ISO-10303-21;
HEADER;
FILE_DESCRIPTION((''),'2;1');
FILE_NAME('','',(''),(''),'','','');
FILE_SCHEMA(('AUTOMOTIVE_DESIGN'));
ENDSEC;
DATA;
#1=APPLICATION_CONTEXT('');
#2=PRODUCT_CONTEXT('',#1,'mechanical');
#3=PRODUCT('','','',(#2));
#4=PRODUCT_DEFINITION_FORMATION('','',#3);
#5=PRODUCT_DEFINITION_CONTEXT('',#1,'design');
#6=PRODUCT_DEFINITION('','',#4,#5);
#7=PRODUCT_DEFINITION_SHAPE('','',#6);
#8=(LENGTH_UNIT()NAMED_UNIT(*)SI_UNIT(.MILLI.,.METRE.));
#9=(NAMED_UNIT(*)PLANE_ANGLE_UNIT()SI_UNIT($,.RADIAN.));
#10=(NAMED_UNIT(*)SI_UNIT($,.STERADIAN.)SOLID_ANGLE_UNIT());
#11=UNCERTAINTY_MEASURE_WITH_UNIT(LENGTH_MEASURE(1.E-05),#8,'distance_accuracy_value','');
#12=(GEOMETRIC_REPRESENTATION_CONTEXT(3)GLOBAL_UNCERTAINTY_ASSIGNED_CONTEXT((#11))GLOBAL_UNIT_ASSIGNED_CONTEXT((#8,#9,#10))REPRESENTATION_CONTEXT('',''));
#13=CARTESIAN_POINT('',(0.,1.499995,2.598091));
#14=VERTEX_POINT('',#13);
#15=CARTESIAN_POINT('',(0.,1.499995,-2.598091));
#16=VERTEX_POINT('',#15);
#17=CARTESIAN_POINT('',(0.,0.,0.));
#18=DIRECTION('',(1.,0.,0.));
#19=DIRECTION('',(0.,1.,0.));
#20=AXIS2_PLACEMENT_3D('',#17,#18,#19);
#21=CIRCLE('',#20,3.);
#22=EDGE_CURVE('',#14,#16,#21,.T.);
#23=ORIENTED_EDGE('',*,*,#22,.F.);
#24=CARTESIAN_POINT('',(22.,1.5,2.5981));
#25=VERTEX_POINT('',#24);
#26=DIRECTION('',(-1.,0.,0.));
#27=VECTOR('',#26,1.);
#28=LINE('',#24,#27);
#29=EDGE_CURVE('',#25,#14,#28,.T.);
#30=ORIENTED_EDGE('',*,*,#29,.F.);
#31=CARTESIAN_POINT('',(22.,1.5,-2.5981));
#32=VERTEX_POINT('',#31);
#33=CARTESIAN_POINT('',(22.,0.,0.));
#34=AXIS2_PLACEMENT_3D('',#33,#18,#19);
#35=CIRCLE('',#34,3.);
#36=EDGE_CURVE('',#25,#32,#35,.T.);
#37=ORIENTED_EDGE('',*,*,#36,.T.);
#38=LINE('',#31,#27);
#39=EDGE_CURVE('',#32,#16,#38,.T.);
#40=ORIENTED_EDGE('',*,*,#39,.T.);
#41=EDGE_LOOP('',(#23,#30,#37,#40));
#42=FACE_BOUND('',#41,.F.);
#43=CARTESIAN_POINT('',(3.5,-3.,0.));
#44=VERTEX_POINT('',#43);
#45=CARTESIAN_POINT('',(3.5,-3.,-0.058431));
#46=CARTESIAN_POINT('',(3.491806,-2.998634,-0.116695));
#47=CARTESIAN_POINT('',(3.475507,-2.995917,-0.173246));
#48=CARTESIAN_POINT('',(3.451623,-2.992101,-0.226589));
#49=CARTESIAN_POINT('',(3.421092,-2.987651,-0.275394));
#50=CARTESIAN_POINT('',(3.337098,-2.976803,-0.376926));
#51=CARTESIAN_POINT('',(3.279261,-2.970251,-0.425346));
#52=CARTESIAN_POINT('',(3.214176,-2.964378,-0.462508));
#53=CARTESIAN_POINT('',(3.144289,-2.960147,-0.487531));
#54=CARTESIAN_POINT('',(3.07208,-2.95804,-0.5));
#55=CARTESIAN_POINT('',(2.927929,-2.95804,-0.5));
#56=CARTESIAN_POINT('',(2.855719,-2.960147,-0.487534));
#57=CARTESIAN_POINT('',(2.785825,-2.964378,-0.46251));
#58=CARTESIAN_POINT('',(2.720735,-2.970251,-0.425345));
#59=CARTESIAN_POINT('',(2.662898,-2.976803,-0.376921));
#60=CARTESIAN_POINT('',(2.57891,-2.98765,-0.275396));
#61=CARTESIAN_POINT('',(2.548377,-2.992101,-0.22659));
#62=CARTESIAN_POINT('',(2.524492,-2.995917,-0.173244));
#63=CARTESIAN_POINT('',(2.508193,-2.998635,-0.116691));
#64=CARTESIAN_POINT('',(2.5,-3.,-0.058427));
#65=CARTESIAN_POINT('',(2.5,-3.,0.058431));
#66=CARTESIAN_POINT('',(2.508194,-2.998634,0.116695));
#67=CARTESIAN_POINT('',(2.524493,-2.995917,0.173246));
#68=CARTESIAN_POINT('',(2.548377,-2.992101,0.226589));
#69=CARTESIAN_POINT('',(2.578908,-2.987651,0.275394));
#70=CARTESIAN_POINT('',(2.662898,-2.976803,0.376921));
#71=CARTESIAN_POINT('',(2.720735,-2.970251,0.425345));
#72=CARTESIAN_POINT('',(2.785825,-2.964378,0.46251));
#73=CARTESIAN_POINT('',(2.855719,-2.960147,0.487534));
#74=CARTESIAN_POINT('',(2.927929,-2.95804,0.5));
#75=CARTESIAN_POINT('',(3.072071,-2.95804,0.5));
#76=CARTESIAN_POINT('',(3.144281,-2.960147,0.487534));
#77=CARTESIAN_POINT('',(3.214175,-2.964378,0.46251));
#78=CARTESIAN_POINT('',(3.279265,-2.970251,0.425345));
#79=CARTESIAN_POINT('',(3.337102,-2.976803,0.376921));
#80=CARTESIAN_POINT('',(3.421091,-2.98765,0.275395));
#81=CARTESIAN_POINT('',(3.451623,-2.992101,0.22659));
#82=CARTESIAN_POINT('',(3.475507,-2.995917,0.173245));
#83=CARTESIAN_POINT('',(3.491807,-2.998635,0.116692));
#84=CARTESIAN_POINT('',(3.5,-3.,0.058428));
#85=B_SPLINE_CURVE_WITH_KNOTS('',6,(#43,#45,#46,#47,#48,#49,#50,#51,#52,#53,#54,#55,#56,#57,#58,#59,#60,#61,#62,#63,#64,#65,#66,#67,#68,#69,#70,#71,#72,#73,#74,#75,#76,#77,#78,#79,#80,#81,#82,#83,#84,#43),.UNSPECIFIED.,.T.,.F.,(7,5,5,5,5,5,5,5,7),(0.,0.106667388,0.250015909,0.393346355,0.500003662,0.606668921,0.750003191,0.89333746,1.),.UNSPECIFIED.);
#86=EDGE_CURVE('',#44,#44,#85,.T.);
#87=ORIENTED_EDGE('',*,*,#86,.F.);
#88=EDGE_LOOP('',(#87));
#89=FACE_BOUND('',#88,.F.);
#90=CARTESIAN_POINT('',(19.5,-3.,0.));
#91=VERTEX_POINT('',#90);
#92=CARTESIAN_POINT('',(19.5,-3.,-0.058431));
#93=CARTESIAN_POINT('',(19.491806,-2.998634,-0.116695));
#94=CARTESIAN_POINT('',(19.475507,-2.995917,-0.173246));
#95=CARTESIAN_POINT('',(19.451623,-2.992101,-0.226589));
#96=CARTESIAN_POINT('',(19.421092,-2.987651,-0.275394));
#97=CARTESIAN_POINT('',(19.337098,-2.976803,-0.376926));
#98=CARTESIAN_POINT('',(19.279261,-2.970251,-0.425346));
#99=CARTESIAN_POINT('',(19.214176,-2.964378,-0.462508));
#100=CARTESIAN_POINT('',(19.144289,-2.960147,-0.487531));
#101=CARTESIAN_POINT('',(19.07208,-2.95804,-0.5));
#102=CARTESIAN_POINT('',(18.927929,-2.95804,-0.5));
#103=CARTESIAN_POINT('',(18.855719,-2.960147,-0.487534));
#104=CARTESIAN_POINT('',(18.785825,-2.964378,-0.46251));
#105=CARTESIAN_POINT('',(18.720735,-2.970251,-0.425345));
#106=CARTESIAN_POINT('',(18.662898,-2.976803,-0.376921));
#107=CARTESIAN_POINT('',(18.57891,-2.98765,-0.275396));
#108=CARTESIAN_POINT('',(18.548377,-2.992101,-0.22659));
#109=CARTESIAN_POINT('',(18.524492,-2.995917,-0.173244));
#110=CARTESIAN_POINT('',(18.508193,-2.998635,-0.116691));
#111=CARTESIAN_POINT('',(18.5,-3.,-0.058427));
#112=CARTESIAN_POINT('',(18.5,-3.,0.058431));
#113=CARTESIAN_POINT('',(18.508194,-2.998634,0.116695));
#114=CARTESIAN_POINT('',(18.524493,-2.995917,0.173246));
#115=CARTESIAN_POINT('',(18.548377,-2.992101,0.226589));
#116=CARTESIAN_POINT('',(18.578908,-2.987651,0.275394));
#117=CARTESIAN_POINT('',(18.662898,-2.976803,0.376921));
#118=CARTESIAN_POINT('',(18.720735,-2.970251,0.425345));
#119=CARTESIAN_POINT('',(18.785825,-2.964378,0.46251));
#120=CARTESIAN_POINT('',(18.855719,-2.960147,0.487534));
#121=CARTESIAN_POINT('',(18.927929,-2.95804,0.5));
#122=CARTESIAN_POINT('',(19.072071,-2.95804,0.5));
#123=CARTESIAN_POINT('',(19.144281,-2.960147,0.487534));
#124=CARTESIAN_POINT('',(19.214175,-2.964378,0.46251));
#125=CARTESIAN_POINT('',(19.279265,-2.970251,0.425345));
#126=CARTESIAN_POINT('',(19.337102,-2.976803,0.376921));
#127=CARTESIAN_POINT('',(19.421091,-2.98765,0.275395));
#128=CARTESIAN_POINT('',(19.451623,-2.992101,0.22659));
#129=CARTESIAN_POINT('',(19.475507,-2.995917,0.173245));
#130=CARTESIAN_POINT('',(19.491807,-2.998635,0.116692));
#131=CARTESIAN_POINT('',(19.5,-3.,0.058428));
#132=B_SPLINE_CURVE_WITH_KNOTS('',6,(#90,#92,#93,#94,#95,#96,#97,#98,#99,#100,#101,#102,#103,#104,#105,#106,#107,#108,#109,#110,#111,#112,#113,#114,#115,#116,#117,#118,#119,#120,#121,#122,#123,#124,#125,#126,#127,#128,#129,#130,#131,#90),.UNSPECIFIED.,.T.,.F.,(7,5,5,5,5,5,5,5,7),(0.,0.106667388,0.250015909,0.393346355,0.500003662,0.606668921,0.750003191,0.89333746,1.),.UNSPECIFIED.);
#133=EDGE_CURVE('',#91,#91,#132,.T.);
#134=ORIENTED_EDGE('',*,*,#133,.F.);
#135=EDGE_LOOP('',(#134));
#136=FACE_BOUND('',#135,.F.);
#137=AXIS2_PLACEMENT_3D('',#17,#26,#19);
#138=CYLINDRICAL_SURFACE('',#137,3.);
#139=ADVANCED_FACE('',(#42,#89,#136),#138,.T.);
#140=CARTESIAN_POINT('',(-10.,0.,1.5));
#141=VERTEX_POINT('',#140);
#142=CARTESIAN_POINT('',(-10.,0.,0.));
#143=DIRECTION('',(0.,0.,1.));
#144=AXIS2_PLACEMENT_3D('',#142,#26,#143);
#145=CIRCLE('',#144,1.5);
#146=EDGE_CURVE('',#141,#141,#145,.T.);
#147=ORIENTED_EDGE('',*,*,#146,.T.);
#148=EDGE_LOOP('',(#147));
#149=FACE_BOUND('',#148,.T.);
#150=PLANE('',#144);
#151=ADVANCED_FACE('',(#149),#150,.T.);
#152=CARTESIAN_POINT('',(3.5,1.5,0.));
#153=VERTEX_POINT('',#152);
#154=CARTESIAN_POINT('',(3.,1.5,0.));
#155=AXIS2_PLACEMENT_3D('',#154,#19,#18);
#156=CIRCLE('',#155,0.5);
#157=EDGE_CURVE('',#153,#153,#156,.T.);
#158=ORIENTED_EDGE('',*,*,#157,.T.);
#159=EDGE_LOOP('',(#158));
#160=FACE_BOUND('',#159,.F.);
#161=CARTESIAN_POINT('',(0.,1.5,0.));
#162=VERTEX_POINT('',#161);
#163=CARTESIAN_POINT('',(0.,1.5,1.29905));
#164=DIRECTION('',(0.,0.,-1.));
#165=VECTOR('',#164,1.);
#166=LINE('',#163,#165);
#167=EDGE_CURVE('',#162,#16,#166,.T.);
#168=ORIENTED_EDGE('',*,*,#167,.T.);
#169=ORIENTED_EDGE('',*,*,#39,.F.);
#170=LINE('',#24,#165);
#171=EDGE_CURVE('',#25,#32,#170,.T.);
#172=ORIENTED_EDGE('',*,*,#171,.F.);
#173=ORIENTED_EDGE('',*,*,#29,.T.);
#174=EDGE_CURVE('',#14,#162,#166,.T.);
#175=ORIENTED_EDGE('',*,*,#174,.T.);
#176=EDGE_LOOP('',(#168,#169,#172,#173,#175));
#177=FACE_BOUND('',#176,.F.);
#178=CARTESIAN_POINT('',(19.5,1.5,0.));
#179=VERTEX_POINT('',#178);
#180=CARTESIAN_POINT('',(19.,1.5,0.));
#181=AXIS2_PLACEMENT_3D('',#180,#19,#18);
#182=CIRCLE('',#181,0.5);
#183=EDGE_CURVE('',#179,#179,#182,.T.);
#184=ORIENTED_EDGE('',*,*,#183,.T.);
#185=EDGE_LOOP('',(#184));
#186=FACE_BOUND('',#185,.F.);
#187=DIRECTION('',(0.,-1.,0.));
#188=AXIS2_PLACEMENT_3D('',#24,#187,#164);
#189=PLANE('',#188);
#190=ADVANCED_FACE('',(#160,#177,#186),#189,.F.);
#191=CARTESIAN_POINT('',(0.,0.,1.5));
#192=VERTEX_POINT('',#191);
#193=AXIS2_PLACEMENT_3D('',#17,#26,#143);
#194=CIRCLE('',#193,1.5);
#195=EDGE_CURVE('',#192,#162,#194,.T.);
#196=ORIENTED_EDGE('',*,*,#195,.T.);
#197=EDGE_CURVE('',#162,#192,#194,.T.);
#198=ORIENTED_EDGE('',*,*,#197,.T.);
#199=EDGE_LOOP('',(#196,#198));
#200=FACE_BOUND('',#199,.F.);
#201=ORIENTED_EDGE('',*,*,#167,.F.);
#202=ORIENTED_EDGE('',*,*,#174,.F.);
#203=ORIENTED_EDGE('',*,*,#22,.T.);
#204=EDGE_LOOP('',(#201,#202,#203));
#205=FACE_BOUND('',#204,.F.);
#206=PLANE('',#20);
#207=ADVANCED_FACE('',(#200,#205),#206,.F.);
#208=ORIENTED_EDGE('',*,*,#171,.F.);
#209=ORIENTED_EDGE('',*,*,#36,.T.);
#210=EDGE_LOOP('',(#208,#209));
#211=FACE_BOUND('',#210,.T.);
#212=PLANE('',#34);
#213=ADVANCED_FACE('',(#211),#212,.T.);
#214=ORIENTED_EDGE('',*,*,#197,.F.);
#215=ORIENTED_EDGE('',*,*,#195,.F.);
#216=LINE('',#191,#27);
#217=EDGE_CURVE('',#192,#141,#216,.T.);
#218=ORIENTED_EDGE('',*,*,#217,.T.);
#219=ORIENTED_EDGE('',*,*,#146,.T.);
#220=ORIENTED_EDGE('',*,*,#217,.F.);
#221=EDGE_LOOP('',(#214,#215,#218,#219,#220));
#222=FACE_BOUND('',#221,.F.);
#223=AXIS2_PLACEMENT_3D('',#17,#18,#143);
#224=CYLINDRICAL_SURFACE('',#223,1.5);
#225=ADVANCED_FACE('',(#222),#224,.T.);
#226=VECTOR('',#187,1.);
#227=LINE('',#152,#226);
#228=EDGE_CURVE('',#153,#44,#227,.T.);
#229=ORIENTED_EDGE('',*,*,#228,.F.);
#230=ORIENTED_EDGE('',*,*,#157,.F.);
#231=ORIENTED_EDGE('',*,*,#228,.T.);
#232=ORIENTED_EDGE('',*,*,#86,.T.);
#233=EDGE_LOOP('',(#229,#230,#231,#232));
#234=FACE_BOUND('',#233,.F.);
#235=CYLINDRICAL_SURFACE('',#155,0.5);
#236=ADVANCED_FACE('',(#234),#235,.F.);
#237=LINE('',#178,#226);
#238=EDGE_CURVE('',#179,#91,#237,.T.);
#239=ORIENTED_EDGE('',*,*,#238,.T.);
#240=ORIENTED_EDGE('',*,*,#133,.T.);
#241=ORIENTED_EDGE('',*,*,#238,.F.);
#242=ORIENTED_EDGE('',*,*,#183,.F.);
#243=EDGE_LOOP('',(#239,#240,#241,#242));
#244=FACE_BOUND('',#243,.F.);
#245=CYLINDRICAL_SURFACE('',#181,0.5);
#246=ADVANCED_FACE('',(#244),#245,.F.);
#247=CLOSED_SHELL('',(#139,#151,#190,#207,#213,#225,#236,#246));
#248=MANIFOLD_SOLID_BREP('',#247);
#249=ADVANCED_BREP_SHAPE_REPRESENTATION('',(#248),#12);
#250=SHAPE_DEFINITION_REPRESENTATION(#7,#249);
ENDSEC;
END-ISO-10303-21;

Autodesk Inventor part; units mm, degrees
ref_plane "Start Plane" through (0, 0, 0) normal (1, 0, 0) x (0, 1, 0)
ref_plane "XZ Plane" through (0, 0, 0) normal (0, 1, 0) x (-1, 0, 0)
ref_plane "XY Plane" through (0, 0, 0) normal (0, 0, 1) x (1, 0, 0)
sketch "Sketch4" plane through (0, 0, 0) normal (1, 0, 0) x (0, 1, 0)
  circle A0 centre (0, 0) radius 3
  dimension "d11" = 6
extrude "Extrusion2" add sketch "Sketch4" along normal blind 22
sketch "Sketch5" plane through (22, 0, 0) normal (1, 0, 0) x (0, 0, -1)
  circle A0 centre (0, 0) radius 3 projected
  line L0 (-2.5981, 1.5) -> (2.5981, 1.5)
  circle A1 centre (0, 0) radius 3
  dimension "d14" = 1.5
extrude "Extrusion3" cut sketch "Sketch5" against normal through all contours L0 A0 picked at (0.7274, 1.6862)
sketch "Sketch6" plane through (0, 0, 0) normal (-1, 0, 0) x (0, 0, 1)
  circle A0 centre (0, 0) radius 1.5
  dimension "d17" = 3
extrude "Extrusion4" add sketch "Sketch6" along normal blind 10
thread "Thread1" size "M3x0.5" class "6g" standard "ANSI Metric M Profile" full length
sketch "Sketch7" plane through (22, 1.5, 2.5981) normal (0, 1, 0) x (1, 0, 0)
  circle A0 centre (-19, 2.5981) radius 0.5
  circle A1 centre (-3, 2.5981) radius 0.5
  point P0 (-22, 2.5981)
  dimension "d22" = 1
  dimension "d23" = 3
  dimension "d24" = 15
  dimension "d25" = 16
extrude "Extrusion5" cut sketch "Sketch7" against normal through all
equation "\"Length\" = 18"
properties part number "centre shaft" material "Steel, Mild"
